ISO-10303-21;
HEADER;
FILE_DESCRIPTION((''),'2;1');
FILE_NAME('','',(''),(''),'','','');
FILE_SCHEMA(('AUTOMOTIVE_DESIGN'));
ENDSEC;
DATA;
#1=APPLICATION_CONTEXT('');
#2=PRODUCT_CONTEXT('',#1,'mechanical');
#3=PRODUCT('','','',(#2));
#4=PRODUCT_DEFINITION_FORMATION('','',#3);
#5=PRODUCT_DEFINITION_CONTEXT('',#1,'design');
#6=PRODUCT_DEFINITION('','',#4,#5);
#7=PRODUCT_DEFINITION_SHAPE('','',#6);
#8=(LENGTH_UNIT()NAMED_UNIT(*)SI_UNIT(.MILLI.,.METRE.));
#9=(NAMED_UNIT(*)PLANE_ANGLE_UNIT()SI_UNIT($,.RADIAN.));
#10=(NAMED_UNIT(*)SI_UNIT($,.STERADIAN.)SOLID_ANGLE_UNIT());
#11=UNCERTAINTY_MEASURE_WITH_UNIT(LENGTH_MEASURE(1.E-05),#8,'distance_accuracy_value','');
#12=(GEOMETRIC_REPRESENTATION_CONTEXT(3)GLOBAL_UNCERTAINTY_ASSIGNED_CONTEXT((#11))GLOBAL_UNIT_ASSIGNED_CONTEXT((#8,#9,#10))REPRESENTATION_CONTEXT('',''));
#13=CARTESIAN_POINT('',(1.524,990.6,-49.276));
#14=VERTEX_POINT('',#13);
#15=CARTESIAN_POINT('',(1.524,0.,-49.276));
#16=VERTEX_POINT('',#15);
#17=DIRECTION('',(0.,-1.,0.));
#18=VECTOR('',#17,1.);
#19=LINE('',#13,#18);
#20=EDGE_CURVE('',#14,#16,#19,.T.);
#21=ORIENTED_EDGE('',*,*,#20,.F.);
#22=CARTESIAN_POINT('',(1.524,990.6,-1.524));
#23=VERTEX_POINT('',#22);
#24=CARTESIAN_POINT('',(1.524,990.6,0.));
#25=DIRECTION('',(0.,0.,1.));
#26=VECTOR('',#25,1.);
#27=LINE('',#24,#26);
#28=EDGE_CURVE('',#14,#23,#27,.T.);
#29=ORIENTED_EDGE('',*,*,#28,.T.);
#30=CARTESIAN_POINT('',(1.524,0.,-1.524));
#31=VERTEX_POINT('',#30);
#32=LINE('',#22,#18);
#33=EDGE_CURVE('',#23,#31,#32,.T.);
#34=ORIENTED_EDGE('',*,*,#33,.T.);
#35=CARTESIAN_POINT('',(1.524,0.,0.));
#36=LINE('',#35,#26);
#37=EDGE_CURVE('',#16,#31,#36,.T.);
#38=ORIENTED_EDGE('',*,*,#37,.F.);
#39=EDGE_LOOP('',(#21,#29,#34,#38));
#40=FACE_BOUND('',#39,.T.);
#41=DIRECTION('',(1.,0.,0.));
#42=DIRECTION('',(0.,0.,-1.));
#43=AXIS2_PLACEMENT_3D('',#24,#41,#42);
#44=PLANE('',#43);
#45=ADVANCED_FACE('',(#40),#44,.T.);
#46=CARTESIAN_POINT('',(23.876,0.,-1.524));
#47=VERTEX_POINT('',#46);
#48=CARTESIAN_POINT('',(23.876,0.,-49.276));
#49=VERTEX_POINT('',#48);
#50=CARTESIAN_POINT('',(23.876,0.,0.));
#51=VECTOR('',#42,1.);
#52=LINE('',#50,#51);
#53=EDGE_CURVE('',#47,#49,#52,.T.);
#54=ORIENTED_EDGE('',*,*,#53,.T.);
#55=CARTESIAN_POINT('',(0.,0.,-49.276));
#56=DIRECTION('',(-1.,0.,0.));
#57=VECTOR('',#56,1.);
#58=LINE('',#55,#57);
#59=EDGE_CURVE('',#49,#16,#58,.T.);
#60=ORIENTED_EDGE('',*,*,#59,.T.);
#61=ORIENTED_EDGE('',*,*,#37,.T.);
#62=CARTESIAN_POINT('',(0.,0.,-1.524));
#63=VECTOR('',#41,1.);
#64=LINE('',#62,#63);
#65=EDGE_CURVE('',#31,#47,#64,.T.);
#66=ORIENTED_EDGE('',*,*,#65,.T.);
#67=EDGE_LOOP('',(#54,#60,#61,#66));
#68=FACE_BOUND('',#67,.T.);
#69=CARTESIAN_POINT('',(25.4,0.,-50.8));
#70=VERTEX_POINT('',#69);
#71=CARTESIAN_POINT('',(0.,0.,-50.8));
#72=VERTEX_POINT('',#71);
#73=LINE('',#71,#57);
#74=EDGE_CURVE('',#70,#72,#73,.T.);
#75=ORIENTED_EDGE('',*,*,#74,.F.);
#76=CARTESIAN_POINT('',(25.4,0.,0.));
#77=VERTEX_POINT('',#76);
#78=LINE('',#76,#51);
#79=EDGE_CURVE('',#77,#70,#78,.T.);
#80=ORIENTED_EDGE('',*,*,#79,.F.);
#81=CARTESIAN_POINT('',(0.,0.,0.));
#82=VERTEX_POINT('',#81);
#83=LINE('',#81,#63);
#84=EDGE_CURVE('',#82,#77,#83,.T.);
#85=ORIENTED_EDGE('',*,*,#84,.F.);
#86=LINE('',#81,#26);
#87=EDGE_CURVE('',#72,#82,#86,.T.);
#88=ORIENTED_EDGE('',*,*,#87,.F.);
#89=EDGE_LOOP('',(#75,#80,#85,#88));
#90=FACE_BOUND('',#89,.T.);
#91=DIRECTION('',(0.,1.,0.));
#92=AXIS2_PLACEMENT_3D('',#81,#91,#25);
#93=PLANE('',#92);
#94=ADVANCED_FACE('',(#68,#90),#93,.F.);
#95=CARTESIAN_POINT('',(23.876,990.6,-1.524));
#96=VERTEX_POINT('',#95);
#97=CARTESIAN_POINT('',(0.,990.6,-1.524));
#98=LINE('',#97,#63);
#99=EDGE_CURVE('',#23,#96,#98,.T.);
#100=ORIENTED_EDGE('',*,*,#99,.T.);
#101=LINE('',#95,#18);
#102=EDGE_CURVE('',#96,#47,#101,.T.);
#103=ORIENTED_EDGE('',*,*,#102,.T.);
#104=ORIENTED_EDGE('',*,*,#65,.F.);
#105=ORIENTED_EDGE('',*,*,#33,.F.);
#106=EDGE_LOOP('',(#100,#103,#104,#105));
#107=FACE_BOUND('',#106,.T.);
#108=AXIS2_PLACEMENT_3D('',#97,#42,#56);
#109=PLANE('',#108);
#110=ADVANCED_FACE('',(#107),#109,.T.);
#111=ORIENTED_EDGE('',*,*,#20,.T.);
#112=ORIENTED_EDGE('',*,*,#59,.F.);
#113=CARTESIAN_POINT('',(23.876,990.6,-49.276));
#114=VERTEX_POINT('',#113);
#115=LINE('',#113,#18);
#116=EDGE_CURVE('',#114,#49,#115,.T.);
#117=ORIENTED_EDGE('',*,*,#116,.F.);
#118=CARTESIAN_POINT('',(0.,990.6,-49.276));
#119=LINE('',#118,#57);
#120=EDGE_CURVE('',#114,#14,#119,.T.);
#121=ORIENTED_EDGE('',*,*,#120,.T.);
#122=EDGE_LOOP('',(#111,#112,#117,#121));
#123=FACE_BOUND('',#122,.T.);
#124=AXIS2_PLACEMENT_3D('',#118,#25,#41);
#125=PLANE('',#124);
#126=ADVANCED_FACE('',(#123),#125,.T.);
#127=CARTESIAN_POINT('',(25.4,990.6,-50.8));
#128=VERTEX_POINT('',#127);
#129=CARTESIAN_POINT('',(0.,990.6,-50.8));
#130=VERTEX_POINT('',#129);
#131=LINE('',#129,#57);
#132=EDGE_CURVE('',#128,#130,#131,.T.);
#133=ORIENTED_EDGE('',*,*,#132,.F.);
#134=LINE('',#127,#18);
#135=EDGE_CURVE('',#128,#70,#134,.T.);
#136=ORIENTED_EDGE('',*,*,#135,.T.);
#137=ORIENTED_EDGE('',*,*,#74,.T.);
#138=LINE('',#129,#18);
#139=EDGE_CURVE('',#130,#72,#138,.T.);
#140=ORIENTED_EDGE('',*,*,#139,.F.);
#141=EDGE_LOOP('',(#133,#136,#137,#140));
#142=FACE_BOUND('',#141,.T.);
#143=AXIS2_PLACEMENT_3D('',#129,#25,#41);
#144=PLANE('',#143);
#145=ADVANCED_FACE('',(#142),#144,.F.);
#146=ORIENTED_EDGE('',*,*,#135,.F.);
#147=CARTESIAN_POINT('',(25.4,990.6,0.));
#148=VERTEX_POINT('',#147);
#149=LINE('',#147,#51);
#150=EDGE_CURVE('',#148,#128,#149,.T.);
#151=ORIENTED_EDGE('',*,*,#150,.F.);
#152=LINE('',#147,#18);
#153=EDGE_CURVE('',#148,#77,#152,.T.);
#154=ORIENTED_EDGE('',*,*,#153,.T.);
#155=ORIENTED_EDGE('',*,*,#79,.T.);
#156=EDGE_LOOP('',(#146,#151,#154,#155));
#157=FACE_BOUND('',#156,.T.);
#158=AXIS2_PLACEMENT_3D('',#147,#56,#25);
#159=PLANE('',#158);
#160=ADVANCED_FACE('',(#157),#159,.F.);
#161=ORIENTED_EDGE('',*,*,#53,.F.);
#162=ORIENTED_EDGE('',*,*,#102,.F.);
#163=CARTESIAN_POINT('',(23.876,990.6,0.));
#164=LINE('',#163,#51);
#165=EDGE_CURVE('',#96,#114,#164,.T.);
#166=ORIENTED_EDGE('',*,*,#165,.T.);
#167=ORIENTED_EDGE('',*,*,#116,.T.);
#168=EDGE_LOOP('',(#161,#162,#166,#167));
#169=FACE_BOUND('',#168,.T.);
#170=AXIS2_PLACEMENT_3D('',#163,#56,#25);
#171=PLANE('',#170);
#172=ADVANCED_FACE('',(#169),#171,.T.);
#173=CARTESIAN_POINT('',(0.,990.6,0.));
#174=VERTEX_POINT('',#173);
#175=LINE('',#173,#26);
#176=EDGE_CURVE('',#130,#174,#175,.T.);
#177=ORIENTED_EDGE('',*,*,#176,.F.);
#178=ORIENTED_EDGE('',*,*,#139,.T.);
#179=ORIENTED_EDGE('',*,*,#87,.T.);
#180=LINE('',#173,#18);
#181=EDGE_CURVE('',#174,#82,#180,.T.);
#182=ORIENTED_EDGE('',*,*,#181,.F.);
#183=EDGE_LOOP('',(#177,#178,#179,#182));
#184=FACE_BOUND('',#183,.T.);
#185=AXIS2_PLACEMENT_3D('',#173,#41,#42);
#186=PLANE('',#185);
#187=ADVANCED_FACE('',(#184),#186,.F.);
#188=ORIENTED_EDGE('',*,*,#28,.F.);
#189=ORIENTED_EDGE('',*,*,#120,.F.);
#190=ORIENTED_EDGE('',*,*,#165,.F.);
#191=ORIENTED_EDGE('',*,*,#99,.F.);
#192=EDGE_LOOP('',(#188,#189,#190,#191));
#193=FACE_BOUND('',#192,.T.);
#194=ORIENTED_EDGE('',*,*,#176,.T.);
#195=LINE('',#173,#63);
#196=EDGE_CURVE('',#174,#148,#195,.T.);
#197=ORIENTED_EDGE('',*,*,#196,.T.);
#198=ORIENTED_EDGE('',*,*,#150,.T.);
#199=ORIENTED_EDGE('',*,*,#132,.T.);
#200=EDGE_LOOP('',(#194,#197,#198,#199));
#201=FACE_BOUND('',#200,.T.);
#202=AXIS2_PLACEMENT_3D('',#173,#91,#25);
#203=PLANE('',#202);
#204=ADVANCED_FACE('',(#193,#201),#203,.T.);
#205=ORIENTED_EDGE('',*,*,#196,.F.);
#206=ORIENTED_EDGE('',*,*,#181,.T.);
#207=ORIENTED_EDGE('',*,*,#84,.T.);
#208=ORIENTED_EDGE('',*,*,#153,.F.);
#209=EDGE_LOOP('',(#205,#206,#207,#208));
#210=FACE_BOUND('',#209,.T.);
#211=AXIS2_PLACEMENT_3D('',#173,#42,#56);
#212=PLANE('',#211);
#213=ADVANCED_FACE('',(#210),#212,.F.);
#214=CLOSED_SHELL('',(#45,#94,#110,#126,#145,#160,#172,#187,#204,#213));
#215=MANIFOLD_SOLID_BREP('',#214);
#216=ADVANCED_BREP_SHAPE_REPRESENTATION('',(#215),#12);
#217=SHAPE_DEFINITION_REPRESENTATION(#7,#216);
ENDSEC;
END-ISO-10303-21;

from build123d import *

# Parameters (mm, degrees)
SKETCH2_W           = 25.4
SKETCH2_H           = 50.8
SKETCH2_W_2         = 22.352
SKETCH2_H_2         = 47.752
EXTRUDE_THIN1_DEPTH = 990.6


with BuildPart() as part:
    # Sketch2 → Extrude-Thin1 (new body)
    with BuildSketch(Plane(origin=(0, 0, 0), x_dir=(1, 0, 0), z_dir=(0, 1, 0))):
        with Locations((12.7, 25.4)):
            Rectangle(SKETCH2_W, SKETCH2_H)
        with Locations((12.7, 25.4)):
            Rectangle(SKETCH2_W_2, SKETCH2_H_2, mode=Mode.SUBTRACT)
    extrude(amount=EXTRUDE_THIN1_DEPTH)


solid = part.part
